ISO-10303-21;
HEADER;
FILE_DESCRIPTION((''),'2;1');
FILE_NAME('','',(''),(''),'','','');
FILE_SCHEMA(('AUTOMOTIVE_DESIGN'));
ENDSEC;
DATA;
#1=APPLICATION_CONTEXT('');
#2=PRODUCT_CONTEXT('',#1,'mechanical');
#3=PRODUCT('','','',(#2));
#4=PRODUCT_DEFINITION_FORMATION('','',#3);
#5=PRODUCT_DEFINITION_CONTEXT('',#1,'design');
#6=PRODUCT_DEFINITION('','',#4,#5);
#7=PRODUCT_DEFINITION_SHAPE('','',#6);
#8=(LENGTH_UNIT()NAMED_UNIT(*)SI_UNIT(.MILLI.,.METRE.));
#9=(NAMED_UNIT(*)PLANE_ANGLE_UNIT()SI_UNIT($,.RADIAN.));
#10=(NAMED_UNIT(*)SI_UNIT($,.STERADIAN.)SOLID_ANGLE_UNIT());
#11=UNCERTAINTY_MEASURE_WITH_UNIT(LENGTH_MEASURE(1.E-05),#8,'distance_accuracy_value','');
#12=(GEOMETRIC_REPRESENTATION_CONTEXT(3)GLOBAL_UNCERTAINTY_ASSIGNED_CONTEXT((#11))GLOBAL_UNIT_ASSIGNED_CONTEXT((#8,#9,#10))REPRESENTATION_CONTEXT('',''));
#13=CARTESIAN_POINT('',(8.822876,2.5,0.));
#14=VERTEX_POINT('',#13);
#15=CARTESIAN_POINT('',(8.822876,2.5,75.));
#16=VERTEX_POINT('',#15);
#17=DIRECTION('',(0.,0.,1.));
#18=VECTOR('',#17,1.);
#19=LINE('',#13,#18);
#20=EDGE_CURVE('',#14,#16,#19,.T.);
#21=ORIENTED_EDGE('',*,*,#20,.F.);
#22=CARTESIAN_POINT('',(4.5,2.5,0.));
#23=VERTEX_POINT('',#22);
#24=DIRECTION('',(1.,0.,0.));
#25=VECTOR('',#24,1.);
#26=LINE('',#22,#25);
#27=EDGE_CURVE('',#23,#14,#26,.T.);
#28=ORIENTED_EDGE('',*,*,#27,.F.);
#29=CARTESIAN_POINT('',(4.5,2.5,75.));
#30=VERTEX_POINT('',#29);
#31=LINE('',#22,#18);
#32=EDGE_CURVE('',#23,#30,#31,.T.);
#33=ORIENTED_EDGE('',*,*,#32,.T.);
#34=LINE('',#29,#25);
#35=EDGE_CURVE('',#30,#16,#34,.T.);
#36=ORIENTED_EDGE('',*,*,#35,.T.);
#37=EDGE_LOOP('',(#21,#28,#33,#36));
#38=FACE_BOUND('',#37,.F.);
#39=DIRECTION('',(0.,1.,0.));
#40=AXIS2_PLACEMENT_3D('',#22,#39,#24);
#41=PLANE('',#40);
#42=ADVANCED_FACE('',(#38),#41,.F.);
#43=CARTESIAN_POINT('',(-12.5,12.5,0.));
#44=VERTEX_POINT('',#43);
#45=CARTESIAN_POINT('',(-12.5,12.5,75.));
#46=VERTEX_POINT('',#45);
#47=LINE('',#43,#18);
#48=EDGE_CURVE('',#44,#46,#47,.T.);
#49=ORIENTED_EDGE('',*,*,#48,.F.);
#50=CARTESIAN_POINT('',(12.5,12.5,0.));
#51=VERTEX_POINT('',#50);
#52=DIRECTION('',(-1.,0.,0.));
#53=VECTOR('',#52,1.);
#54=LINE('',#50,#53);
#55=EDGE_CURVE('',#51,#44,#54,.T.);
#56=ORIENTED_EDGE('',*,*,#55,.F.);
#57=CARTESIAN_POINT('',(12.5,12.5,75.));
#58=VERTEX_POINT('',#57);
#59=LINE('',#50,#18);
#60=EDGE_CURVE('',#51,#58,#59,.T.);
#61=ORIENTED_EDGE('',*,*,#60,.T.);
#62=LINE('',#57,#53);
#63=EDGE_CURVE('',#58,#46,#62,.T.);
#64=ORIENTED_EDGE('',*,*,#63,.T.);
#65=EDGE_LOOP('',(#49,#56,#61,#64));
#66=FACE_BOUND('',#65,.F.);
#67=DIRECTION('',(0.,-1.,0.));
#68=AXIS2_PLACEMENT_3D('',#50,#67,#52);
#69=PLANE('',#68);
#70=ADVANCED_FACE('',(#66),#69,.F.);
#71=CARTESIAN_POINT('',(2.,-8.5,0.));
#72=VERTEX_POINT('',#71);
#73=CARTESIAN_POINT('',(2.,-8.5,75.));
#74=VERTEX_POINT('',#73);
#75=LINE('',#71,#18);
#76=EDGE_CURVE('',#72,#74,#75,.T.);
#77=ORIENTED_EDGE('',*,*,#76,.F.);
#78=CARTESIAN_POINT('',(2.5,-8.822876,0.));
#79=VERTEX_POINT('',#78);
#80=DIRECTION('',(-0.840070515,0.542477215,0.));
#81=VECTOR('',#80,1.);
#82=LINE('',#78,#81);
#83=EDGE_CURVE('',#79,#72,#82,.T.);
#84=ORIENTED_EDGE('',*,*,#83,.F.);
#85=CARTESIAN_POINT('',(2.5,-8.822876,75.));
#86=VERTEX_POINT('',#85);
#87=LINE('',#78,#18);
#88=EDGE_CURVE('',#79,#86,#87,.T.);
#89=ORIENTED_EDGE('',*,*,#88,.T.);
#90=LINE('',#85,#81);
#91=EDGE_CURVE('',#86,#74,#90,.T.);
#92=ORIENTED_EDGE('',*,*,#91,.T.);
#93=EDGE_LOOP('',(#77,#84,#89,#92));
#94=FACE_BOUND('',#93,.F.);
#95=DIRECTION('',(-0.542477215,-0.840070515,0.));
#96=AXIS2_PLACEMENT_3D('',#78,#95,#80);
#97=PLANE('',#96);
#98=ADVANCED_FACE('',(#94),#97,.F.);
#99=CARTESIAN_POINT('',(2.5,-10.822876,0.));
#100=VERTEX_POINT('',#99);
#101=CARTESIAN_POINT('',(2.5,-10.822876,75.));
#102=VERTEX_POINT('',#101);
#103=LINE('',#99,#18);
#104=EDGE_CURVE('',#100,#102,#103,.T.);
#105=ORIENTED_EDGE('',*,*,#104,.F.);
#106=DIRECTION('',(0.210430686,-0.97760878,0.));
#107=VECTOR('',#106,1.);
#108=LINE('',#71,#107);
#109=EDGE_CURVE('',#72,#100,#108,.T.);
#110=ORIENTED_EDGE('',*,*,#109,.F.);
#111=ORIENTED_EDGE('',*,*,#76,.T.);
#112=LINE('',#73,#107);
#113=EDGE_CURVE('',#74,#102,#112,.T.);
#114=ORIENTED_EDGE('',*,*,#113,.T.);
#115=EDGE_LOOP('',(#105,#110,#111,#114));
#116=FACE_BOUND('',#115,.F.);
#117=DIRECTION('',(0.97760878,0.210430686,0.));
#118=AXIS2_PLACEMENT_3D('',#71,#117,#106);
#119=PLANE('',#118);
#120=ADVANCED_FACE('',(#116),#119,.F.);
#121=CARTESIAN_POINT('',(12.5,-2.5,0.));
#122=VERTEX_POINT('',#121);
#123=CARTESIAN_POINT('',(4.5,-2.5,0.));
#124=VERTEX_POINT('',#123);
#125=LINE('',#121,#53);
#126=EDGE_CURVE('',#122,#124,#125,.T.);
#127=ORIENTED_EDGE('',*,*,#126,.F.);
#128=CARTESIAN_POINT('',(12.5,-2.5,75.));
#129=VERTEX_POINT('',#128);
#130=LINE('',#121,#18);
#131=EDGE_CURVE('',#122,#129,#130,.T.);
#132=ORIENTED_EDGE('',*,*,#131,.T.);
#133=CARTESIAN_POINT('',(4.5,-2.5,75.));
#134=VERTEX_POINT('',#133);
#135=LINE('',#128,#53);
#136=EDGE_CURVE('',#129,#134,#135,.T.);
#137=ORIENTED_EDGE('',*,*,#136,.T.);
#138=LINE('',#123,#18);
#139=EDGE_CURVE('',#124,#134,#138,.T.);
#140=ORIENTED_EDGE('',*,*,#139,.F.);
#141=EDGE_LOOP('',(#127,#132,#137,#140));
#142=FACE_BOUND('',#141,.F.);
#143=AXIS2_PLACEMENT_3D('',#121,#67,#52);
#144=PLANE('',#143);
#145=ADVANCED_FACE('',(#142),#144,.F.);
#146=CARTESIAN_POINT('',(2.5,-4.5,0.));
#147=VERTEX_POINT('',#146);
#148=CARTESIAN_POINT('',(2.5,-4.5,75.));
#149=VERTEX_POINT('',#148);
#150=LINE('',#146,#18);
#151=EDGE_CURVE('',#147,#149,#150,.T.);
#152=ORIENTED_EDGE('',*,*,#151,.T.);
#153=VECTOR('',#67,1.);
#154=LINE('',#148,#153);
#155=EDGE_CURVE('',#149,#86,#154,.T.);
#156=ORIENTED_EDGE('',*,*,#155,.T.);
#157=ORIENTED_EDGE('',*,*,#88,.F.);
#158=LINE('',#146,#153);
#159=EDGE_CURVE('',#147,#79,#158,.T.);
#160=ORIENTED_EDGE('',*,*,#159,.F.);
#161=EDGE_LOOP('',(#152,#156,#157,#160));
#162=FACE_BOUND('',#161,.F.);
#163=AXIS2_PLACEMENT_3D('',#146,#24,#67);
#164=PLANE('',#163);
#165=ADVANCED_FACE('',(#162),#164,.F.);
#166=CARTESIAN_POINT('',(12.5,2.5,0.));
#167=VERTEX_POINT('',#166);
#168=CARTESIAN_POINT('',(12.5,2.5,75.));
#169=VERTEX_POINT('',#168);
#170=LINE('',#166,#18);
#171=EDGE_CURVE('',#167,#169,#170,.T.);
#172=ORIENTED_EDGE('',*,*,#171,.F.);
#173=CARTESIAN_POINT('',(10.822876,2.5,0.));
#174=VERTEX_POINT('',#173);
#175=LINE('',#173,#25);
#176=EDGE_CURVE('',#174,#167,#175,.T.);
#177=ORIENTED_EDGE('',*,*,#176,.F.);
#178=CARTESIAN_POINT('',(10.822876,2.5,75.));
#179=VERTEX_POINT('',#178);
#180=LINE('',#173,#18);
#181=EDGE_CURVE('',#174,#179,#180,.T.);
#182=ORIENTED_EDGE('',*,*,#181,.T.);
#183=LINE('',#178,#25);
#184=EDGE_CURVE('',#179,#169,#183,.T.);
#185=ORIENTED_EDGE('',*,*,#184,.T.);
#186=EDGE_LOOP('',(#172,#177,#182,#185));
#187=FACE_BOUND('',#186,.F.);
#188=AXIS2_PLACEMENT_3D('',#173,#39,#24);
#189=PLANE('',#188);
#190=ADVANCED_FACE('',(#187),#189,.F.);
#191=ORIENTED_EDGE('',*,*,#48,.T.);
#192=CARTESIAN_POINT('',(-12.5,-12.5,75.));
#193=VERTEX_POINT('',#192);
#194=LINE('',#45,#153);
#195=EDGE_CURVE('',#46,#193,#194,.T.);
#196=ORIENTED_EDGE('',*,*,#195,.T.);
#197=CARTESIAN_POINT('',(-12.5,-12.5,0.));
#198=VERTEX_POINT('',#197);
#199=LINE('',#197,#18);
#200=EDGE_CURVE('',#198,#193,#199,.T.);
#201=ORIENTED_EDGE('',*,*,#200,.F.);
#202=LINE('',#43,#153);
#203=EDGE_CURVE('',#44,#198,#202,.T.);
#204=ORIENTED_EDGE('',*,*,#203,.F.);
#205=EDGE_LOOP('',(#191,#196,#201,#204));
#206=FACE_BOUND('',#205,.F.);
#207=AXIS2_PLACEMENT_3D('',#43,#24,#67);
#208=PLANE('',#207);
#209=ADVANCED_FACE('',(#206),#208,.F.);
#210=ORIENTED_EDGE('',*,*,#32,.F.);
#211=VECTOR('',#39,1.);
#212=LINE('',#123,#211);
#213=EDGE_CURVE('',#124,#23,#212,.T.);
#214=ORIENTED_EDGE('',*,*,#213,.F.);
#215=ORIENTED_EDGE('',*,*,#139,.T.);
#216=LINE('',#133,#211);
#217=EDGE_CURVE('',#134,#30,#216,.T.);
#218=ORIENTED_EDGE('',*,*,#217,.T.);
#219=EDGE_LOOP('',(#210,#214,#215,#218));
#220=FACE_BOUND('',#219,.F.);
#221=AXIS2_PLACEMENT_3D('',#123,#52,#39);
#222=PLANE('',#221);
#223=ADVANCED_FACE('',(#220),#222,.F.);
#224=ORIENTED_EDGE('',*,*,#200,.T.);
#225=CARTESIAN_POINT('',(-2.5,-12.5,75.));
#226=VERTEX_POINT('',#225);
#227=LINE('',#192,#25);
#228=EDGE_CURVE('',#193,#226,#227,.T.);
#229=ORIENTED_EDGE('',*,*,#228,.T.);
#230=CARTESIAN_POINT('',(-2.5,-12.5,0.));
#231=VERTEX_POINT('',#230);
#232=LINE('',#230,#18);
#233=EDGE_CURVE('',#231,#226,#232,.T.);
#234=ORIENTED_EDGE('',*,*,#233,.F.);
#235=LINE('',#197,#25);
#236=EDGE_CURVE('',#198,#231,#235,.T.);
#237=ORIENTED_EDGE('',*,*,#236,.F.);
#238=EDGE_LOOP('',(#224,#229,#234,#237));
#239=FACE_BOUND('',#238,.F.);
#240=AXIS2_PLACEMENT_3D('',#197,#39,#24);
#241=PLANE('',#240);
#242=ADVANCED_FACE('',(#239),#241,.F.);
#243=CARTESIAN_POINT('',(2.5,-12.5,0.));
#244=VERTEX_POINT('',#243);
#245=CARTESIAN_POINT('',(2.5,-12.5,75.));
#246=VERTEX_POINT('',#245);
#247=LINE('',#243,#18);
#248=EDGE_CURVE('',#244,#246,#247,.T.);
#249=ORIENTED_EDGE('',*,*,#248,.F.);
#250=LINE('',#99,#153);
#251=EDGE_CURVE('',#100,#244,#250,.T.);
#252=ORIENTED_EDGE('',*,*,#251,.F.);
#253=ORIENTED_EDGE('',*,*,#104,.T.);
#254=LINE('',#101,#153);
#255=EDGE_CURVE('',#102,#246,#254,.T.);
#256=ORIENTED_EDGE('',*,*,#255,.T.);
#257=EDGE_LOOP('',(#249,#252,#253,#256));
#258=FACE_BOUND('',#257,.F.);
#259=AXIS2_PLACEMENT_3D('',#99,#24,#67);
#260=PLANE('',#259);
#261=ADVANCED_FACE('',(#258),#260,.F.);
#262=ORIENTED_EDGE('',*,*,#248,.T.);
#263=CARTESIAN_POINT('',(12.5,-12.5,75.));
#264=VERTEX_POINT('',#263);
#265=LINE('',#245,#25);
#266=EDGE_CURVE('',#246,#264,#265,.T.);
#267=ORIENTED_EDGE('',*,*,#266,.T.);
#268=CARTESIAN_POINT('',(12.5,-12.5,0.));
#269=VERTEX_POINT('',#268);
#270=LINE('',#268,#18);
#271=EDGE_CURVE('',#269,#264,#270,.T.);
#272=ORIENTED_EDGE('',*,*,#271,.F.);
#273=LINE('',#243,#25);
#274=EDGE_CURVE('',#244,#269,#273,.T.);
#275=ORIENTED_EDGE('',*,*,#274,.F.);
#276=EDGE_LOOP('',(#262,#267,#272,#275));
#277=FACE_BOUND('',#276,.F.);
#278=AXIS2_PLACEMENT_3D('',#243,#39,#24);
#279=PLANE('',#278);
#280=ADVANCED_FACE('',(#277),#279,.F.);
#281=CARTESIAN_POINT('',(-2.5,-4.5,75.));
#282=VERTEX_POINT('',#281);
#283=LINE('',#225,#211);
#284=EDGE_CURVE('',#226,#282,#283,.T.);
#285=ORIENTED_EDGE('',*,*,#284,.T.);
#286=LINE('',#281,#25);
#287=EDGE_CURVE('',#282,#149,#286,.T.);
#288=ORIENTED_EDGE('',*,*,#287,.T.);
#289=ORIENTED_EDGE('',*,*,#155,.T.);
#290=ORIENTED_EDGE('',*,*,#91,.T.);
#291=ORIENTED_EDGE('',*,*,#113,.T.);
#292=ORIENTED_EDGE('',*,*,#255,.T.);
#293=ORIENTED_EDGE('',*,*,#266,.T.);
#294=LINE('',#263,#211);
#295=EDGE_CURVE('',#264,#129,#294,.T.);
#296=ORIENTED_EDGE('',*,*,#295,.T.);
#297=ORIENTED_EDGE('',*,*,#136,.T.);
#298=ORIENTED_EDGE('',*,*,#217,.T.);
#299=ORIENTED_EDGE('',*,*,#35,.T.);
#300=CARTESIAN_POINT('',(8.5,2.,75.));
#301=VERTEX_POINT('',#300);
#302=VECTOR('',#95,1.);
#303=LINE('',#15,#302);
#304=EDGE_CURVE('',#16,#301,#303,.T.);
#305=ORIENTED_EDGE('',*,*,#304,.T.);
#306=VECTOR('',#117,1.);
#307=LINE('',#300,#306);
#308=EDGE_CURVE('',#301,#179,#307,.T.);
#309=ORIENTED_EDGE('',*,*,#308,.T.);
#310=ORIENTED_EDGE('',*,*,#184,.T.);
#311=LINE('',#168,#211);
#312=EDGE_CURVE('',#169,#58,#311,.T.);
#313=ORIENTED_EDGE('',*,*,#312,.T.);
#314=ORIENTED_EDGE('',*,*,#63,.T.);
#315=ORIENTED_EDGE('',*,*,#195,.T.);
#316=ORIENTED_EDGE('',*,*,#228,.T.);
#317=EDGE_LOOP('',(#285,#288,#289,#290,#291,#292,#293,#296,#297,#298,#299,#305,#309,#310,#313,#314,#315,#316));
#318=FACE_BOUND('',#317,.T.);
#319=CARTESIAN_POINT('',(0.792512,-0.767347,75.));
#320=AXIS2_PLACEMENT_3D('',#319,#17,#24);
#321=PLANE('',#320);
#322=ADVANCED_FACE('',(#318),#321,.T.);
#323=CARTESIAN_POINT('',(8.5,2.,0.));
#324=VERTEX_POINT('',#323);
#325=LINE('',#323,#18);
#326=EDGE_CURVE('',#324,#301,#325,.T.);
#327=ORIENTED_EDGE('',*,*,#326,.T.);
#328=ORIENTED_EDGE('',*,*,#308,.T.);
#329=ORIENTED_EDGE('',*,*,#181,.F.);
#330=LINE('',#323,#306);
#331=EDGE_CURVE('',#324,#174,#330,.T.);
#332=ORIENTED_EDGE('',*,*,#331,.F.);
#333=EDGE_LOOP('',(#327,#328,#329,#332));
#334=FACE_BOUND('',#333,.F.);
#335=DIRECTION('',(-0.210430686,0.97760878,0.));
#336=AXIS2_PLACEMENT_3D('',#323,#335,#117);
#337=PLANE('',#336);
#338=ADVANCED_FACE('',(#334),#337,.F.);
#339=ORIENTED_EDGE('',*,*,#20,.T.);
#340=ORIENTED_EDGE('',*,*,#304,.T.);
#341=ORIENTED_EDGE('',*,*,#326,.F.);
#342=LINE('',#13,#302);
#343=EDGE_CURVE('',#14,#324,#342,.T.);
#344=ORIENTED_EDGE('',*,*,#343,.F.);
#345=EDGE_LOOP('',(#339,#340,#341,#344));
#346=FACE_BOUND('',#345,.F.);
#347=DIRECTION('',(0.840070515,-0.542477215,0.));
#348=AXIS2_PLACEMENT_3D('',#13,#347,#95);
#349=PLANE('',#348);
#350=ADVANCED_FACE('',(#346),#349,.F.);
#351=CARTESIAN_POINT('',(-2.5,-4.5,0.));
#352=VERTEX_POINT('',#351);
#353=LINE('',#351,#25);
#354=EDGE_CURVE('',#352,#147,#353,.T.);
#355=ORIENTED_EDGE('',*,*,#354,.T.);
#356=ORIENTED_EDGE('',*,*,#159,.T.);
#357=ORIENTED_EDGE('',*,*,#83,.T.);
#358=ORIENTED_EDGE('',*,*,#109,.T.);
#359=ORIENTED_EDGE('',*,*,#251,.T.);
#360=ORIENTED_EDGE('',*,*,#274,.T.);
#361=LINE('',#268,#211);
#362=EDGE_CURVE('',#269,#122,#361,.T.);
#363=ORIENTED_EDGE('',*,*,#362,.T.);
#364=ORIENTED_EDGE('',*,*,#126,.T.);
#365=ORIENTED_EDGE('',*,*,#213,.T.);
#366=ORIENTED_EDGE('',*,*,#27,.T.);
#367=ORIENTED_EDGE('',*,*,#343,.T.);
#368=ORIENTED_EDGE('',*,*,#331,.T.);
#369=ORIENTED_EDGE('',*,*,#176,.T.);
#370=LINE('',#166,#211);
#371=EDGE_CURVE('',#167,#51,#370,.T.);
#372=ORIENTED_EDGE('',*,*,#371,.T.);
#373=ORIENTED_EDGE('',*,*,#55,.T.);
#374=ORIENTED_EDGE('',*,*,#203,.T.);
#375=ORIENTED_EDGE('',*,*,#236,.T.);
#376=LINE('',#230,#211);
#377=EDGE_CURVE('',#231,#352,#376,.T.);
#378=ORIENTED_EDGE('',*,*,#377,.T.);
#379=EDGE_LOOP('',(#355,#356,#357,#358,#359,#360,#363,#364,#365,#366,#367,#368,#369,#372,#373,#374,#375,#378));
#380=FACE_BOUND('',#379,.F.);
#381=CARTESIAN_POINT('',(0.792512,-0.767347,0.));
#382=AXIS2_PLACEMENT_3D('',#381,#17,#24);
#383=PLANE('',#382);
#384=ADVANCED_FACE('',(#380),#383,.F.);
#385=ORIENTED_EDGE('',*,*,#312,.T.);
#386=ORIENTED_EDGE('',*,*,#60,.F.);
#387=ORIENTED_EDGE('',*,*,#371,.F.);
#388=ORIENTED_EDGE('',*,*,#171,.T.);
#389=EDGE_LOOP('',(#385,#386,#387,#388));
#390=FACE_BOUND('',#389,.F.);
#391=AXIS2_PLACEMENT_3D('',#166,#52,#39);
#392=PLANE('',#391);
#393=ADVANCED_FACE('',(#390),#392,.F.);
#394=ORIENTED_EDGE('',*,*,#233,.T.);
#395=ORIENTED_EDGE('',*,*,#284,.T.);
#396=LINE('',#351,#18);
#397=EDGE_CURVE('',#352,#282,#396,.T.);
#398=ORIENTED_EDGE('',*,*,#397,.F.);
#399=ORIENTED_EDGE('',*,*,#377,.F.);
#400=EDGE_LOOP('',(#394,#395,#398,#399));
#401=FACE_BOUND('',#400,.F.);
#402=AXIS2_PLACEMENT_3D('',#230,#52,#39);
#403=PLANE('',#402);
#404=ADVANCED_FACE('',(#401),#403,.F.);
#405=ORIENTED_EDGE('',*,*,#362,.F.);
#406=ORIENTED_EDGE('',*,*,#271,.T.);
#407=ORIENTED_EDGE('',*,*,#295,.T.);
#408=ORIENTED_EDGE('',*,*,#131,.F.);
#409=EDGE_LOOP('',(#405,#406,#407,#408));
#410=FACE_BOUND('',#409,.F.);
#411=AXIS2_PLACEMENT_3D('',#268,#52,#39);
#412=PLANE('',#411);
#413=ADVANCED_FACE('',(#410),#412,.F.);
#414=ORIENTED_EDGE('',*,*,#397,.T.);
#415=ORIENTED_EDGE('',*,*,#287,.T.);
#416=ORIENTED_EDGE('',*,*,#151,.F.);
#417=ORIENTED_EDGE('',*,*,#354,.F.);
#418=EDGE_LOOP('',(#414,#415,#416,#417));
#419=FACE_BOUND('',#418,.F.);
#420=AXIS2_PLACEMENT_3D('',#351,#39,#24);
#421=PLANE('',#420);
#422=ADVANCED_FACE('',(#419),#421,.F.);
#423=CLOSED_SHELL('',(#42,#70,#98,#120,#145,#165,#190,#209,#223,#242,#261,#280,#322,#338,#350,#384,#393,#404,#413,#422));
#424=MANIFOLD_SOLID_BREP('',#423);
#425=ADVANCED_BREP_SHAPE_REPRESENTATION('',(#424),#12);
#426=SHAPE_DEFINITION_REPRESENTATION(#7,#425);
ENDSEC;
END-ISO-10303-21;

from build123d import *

# Parameters (mm, degrees)
F1_DEPTH = 75


with BuildPart() as f1:
    # F0 (on Top) → F1 (new body)
    with BuildSketch(Plane.XY):
        Polygon((2.5, -12.5), (12.5, -12.5), (12.5, -2.5), (4.5, -2.5), (4.5, 2.5), (8.822876, 2.5), (8.5, 2), (10.822876, 2.5), (12.5, 2.5), (12.5, 12.5), (-12.5, 12.5), (-12.5, -12.5), (-2.5, -12.5), (-2.5, -4.5), (2.5, -4.5), (2.5, -8.822876), (2, -8.5), (2.5, -10.822876), align=None)
    extrude(amount=F1_DEPTH)


solid = f1.part
